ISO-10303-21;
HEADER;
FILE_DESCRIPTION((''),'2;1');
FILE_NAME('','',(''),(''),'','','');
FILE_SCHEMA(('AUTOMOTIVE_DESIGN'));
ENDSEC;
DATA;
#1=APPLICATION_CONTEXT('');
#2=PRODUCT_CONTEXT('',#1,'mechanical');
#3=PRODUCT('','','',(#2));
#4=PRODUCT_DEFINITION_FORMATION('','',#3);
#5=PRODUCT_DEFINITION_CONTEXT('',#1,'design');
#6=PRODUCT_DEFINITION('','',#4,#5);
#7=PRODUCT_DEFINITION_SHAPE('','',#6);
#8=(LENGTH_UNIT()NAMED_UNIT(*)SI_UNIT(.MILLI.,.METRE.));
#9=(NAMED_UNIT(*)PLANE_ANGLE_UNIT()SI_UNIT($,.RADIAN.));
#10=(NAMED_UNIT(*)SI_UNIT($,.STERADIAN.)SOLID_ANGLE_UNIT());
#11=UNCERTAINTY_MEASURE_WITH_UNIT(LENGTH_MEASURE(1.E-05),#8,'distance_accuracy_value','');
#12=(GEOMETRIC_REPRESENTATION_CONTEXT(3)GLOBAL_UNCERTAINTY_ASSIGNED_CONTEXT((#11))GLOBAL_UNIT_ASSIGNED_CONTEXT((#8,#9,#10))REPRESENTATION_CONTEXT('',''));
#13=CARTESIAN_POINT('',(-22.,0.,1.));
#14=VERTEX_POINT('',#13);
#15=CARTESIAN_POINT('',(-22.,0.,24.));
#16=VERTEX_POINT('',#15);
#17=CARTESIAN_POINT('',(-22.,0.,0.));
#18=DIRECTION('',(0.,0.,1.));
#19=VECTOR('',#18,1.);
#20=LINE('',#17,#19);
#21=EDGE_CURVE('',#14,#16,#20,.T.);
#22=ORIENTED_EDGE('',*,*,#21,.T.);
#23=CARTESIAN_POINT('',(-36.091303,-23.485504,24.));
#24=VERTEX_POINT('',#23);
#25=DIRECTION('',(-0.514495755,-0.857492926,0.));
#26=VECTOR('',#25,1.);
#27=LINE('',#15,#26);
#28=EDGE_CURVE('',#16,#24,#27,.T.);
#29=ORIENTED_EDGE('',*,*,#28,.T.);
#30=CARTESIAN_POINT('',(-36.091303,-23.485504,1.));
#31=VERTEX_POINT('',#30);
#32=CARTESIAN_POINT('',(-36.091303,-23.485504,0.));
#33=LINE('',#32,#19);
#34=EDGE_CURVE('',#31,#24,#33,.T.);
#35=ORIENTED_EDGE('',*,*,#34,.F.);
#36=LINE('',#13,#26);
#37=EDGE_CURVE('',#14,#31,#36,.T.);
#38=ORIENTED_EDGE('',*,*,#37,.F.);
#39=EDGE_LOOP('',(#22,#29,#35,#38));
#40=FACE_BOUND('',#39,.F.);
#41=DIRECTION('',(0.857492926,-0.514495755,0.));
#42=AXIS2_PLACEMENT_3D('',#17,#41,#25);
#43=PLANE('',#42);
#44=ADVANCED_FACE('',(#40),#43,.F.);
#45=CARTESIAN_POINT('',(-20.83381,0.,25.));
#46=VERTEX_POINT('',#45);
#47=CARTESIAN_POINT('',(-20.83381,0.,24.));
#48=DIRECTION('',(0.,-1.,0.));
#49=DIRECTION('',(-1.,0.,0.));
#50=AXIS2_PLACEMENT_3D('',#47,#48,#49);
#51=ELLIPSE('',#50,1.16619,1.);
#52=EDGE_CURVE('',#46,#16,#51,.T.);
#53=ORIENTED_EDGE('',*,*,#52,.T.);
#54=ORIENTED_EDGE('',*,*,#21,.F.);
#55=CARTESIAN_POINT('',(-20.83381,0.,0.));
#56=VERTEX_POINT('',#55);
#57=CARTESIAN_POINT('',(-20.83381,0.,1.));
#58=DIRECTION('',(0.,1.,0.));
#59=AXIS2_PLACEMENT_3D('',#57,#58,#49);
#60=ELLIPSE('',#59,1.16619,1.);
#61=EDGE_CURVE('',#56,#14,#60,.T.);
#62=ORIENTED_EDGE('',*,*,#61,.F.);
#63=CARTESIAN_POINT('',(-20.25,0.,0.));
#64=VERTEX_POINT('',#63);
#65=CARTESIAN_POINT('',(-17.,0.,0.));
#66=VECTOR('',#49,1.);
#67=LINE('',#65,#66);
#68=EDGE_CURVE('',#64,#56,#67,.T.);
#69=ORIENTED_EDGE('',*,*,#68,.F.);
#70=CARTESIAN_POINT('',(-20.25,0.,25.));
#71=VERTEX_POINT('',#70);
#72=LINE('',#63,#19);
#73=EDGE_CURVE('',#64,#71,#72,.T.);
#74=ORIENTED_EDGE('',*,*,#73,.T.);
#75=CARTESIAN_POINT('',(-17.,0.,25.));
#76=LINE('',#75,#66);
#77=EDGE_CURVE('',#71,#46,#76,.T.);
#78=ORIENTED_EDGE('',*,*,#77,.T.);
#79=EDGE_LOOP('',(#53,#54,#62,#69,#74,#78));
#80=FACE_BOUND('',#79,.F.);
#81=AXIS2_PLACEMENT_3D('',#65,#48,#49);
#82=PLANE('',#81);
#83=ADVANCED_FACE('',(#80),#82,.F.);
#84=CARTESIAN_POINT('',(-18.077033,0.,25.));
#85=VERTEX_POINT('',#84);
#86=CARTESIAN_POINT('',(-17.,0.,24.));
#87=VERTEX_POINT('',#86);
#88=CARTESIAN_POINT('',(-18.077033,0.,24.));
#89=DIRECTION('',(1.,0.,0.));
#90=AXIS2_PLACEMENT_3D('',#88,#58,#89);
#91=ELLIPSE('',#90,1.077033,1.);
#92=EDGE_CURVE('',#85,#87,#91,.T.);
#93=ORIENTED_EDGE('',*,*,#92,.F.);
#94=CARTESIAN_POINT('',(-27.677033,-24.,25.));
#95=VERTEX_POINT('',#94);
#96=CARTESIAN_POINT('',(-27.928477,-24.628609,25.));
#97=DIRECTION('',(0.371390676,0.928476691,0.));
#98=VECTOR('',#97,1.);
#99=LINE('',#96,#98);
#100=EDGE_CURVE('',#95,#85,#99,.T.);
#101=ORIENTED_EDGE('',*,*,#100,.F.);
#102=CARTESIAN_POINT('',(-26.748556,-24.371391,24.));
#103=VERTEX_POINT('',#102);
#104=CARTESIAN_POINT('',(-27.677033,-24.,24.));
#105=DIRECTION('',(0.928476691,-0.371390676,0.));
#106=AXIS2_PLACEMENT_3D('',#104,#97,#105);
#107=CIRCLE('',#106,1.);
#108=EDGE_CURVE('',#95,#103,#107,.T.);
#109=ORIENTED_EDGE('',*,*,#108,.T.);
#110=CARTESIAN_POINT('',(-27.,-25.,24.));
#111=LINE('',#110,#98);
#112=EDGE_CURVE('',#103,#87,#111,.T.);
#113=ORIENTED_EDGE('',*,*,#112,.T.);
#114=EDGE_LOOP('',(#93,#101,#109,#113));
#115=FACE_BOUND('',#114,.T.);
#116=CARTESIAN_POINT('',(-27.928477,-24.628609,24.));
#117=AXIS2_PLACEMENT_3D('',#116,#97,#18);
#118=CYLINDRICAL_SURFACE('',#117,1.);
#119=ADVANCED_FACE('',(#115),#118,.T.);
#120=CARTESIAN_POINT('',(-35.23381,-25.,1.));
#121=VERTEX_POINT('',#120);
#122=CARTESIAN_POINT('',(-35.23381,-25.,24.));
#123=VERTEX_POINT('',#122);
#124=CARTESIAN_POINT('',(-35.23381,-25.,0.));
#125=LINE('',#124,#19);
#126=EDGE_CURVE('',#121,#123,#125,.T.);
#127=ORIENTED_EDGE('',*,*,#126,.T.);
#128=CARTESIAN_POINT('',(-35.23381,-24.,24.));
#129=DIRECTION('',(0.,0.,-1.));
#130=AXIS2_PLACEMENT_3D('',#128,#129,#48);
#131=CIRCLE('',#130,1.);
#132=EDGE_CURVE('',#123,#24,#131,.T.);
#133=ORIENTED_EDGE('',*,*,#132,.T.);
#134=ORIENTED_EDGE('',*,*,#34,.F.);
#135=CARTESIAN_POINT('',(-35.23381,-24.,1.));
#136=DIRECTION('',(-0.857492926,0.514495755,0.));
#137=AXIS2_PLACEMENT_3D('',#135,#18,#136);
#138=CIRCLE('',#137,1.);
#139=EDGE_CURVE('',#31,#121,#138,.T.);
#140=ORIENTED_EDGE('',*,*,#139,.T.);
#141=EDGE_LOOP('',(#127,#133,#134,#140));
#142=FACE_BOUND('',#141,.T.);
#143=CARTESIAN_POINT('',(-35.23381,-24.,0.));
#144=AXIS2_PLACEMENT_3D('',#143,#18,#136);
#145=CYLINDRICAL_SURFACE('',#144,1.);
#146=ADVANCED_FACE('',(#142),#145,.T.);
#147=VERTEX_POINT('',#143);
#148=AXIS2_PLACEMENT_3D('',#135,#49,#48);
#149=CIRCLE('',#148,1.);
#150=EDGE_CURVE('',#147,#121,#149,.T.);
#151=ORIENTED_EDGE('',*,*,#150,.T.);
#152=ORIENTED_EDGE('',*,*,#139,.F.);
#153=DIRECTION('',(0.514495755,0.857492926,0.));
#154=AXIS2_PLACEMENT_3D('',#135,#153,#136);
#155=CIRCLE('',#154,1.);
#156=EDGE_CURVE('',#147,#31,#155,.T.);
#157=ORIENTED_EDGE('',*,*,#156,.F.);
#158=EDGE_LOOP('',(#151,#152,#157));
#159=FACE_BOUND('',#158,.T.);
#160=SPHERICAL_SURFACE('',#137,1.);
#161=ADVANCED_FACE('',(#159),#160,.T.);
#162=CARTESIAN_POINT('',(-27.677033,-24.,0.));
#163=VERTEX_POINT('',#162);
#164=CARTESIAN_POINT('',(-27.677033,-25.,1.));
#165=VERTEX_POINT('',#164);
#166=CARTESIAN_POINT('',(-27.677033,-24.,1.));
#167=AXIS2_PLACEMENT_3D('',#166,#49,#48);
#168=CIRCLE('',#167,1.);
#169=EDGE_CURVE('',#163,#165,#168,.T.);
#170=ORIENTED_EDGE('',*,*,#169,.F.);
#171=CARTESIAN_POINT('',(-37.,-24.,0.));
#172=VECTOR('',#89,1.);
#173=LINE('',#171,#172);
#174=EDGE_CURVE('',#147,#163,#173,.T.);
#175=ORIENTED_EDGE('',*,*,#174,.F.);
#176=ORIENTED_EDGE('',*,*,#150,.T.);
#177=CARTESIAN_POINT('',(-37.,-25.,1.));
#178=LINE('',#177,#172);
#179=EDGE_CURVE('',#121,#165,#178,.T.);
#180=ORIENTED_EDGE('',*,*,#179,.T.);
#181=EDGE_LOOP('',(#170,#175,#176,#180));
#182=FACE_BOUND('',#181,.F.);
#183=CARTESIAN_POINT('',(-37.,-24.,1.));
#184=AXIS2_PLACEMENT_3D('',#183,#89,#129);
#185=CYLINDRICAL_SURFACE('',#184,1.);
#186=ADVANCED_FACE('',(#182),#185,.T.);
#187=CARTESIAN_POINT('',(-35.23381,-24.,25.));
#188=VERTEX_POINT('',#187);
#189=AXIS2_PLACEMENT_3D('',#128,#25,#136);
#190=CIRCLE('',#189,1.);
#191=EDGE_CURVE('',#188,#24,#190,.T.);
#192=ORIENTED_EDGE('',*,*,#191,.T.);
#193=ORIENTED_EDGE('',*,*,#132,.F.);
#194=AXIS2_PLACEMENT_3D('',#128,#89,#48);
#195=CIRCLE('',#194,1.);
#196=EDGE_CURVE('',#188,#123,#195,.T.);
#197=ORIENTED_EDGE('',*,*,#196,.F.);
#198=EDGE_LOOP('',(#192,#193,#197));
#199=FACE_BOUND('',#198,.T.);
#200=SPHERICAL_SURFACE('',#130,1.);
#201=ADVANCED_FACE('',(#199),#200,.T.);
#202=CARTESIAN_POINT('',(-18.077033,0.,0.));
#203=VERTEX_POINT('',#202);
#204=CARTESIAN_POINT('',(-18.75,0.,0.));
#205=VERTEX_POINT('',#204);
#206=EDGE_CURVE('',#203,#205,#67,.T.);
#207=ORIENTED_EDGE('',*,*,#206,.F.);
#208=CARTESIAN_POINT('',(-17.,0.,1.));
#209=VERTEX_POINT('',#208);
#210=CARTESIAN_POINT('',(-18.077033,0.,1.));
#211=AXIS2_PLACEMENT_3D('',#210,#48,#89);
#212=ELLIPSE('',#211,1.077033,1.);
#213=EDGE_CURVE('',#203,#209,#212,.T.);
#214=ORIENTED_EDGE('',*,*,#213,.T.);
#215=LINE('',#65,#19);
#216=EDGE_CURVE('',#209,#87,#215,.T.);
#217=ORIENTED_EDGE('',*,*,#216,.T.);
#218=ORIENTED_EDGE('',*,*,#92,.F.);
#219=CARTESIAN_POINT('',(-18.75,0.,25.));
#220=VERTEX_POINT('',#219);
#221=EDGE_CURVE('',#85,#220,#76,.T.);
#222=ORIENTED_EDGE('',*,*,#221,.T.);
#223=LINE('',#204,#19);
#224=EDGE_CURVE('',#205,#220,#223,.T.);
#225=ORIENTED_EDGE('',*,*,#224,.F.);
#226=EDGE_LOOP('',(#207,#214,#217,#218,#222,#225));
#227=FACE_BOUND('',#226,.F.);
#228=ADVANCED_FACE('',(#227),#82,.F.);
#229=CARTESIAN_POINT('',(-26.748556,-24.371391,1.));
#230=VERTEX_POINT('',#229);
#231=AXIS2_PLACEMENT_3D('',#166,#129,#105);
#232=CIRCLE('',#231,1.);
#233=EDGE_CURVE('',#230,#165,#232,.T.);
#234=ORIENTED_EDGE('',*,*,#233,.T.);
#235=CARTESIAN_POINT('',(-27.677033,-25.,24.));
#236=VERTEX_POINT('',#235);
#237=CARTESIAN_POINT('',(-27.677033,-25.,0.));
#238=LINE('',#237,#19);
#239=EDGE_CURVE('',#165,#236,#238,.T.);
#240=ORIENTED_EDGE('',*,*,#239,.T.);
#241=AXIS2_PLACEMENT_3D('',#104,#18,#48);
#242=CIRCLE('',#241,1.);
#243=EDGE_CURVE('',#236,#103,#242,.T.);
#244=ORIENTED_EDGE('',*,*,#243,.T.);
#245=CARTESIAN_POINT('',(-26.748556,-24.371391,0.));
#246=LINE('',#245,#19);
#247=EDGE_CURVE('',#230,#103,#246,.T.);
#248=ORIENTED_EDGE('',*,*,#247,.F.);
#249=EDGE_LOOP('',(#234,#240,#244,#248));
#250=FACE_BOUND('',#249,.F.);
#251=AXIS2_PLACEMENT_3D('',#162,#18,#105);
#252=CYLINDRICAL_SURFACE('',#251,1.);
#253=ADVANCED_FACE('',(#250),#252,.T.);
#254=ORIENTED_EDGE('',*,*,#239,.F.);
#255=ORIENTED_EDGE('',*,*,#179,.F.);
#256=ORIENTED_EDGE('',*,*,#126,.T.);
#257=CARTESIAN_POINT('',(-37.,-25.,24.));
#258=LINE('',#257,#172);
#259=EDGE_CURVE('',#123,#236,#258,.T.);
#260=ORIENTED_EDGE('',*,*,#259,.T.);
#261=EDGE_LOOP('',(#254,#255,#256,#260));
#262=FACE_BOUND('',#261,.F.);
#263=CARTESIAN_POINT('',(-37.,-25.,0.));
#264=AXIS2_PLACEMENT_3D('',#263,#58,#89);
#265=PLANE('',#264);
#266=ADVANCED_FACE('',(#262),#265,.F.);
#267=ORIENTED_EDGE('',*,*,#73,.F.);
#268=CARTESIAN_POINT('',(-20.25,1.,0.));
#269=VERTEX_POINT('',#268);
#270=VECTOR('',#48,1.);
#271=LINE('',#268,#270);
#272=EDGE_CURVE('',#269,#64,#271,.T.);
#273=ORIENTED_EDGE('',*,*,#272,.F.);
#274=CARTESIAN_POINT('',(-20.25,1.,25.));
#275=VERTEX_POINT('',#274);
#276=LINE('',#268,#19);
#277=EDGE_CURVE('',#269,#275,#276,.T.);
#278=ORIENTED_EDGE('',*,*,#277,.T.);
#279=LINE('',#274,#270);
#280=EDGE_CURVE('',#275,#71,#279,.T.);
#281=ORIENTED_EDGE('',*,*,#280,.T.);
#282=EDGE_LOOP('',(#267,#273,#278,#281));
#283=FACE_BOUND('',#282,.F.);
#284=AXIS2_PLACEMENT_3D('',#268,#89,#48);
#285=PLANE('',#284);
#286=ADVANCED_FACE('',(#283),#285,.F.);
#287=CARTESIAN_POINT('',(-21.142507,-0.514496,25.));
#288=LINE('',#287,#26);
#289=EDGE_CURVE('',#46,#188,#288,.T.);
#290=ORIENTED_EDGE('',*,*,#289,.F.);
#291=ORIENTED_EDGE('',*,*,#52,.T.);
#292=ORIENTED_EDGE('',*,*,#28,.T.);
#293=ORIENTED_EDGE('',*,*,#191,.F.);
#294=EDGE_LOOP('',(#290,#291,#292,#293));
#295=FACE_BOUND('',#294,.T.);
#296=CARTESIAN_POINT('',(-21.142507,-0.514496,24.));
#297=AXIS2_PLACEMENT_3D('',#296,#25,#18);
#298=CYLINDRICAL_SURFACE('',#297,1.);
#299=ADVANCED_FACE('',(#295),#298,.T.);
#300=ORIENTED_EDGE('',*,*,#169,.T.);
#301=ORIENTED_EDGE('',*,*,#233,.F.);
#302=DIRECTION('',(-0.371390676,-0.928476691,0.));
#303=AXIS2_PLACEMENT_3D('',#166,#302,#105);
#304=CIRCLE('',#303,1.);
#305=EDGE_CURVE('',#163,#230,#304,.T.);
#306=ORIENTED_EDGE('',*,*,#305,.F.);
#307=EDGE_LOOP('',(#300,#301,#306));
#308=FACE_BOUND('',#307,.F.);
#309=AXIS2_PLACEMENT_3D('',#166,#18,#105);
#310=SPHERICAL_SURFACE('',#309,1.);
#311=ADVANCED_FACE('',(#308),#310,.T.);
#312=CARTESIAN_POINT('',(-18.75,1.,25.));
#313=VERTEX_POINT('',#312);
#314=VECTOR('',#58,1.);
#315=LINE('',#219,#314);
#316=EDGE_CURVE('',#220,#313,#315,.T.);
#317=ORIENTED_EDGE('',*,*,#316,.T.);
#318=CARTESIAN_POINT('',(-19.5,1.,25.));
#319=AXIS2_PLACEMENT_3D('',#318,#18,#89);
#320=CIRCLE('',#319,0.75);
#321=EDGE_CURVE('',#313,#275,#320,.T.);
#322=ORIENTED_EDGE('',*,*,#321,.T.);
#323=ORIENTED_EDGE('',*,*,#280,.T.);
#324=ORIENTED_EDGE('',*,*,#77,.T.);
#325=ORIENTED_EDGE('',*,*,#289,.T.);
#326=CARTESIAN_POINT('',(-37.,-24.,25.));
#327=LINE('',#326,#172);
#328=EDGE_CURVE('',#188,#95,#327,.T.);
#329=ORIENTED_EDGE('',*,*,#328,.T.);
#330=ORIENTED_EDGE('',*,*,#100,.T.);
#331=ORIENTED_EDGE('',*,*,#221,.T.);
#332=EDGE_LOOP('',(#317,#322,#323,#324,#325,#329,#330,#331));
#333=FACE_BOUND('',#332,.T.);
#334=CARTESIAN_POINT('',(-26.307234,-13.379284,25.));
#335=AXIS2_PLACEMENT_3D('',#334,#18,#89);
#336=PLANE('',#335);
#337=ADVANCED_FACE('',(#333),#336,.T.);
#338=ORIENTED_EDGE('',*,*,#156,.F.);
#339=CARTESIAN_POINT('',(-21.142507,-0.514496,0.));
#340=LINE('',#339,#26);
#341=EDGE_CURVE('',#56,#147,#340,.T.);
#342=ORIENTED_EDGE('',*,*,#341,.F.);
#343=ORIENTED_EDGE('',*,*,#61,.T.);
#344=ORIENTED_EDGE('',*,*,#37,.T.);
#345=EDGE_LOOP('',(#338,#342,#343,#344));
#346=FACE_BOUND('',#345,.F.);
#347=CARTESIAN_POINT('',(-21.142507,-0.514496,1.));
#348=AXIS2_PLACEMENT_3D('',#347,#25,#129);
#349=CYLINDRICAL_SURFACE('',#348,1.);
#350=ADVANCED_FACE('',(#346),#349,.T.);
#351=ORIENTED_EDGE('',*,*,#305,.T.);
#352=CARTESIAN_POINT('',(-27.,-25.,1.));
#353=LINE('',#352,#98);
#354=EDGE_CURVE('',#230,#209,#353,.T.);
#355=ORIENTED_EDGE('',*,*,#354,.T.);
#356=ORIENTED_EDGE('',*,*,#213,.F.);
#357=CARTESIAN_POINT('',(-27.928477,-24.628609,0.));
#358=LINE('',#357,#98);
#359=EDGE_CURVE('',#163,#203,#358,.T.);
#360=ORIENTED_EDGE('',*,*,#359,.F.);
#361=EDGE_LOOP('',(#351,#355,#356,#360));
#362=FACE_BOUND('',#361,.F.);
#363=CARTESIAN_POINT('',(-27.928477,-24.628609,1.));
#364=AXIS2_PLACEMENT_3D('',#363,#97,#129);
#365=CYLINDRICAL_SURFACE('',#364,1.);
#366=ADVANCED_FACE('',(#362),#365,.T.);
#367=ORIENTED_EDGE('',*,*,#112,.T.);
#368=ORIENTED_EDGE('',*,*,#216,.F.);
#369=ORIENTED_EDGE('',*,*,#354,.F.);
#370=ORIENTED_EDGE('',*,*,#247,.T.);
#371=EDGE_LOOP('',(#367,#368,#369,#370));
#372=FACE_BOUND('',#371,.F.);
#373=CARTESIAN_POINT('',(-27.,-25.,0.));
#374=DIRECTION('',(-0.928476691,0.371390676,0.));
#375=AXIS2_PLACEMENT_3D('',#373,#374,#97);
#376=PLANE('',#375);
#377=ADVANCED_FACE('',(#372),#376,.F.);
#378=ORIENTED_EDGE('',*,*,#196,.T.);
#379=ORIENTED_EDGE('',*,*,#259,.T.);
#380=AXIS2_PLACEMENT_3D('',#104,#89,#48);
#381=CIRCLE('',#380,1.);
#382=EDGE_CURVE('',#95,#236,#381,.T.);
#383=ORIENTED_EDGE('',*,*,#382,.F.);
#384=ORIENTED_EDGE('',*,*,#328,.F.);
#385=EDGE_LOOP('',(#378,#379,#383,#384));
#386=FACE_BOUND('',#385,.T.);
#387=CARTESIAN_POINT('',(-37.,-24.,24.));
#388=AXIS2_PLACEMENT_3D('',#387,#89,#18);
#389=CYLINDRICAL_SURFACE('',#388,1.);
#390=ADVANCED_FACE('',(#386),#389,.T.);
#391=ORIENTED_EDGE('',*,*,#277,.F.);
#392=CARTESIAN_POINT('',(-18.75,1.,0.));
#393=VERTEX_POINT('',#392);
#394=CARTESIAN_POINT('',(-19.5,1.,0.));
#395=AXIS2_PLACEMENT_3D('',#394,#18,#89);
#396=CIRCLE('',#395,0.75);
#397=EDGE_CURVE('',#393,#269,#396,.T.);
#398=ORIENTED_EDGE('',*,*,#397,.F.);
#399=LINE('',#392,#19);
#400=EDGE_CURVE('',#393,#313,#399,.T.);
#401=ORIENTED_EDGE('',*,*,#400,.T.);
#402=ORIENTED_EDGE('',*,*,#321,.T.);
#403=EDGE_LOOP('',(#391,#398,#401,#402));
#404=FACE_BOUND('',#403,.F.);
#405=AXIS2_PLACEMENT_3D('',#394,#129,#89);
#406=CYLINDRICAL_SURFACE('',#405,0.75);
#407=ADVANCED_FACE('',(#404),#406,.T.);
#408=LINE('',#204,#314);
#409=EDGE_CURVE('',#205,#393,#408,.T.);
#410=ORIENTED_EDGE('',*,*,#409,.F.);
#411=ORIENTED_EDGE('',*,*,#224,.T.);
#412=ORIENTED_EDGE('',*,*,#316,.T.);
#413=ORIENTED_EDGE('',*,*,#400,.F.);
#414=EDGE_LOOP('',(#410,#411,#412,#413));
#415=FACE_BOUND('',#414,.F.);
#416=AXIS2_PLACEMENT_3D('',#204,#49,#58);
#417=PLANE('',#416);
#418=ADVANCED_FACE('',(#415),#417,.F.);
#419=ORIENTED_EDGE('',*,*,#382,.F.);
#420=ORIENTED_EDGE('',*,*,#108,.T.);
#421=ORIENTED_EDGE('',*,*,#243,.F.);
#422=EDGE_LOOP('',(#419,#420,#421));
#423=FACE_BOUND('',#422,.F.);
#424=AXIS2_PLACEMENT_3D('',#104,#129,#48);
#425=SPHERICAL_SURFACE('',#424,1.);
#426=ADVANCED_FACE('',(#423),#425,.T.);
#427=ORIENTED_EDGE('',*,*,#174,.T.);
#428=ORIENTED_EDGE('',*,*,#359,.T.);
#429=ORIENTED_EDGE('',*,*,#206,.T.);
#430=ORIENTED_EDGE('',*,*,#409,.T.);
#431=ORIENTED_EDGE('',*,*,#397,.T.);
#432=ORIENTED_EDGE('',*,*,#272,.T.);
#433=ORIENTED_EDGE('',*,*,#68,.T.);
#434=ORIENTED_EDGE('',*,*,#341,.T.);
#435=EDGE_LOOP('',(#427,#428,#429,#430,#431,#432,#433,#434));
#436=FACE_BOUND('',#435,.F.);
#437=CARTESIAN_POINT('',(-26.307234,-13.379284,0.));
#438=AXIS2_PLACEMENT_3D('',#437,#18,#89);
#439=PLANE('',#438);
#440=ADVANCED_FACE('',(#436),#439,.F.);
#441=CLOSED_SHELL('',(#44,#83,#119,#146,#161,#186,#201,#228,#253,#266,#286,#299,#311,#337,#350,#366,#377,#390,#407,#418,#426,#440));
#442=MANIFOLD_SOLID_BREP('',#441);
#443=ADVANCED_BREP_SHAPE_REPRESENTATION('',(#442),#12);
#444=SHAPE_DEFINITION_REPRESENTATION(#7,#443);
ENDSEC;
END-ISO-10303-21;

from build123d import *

# Parameters (mm, degrees)
F2_DEPTH = 25
F3_DEPTH = 25
F5_R     = 1


with BuildPart() as f2:
    # F0 (on Top) → F2 (new body)
    with BuildSketch(Plane.XY):
        Polygon((-17, 0), (-22, 0), (-37, -25), (-27, -25), align=None)
    extrude(amount=F2_DEPTH)

    # F1 (on Top) → F3 (join)
    with BuildSketch(Plane.XY):
        with BuildLine():
            Line((-20.25, 1), (-20.25, 0))
            Line((-20.25, 0), (-18.75, 0))
            Line((-18.75, 0), (-18.75, 1))
            ThreePointArc((-18.75, 1), (-19.5, 0.25), (-20.25, 1))
        make_face()
        with BuildLine():
            ThreePointArc((-18.75, 1), (-19.5, 1.75), (-20.25, 1))
            Line((-20.25, 1), (-18.75, 1))
        make_face()
        with BuildLine():
            Line((-18.75, 1), (-20.25, 1))
            ThreePointArc((-20.25, 1), (-19.5, 0.25), (-18.75, 1))
        make_face()
    extrude(amount=F3_DEPTH)

    # F5
    f5_edges = [f2.edges().sort_by_distance(p)[0] for p in [
        (-22, -12.5, 0),
        (-29.5, -12.5, 0),
        (-29.5, -12.5, 25),
        (-22, -12.5, 25),
        (-32, -25, 0),
        (-27, -25, 12.5),
        (-37, -25, 12.5),
        (-32, -25, 25),
    ]]
    fillet(f5_edges, radius=F5_R)


with BuildPart() as f2b:
    # F0 (on Top) → F2, piece 2 (new body)
    with BuildSketch(Plane.XY):
        Polygon((37, -25), (22, 0), (17, 0), (27, -25), align=None)
    extrude(amount=F2_DEPTH)

    # F1 (on Top) → F3, piece 2 (join)
    with BuildSketch(Plane.XY):
        with BuildLine():
            ThreePointArc((18.75, 1), (19.5, 0.25), (20.25, 1))
            ThreePointArc((20.25, 1), (19.5, 1.75), (18.75, 1))
        make_face()
        with BuildLine():
            Line((20.25, 0), (20.25, 1))
            ThreePointArc((20.25, 1), (19.5, 0.25), (18.75, 1))
            Line((18.75, 1), (18.75, 0))
            Line((18.75, 0), (20.25, 0))
        make_face()
    extrude(amount=F3_DEPTH)


solid = f2.part
